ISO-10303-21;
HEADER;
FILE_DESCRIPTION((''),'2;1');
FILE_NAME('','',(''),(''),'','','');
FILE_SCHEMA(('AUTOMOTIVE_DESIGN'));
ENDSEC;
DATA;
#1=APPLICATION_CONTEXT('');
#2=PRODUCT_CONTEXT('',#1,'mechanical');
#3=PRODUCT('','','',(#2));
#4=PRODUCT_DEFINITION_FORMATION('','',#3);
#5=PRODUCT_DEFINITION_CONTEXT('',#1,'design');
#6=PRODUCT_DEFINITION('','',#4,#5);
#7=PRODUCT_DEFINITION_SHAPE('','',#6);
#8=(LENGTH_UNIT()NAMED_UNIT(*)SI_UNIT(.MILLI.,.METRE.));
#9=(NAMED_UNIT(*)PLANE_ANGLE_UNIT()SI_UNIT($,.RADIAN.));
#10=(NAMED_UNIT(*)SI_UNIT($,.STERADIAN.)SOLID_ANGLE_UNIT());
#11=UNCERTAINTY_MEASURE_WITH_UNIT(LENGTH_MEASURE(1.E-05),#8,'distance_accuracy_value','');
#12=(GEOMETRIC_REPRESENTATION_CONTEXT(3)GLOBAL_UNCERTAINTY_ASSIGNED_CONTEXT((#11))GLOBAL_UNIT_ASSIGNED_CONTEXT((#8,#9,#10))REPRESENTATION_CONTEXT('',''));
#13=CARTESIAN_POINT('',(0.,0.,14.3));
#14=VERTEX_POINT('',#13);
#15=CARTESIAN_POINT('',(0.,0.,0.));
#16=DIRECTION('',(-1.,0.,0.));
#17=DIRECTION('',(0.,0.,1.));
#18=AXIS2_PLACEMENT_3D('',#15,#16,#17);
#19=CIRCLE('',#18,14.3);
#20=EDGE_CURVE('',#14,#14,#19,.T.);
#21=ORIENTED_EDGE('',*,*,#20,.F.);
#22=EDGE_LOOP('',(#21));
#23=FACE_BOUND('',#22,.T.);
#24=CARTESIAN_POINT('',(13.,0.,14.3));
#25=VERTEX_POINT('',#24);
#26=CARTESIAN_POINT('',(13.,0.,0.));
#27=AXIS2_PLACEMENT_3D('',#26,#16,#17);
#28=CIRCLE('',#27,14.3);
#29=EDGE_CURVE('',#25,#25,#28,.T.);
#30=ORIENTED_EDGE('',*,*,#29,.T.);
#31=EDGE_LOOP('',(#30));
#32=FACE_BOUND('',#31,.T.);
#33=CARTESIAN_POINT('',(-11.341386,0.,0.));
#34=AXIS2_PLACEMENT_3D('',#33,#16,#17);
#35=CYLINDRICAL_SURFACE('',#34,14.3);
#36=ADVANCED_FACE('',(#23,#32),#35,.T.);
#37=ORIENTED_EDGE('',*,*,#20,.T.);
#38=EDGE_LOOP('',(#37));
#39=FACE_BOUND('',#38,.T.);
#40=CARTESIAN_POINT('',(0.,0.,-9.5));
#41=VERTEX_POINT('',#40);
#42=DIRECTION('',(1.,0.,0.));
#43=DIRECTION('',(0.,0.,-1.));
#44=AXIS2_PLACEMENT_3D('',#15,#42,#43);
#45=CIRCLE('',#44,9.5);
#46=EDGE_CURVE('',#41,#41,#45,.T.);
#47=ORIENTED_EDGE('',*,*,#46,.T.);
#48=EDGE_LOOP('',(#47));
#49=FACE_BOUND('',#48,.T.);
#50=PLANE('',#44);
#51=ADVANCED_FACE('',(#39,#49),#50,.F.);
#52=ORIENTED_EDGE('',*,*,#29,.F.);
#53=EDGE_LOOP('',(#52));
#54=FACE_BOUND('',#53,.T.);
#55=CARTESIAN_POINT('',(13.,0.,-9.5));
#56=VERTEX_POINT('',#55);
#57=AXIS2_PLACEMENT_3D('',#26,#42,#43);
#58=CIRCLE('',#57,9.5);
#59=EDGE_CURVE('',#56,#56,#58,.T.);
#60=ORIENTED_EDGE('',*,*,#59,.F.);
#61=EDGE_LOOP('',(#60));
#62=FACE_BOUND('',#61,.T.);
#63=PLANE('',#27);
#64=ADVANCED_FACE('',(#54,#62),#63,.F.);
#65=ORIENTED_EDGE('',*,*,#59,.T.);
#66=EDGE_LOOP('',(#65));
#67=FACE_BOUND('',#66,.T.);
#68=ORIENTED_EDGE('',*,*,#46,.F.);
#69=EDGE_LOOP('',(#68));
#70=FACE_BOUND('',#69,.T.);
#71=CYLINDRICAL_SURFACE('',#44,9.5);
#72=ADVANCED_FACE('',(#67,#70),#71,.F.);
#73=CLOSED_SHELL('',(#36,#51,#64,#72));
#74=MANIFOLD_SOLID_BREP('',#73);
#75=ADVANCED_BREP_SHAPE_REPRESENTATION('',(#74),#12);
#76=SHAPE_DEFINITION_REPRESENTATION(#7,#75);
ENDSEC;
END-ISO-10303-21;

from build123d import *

# Parameters (mm, degrees)
ESQUISSE1_W             = 13
ESQUISSE1_H             = 14.3
ESQUISSE2_R             = 9.5
ENL_V_MAT_EXTRU_1_DEPTH = 14


with BuildPart() as part:
    # Esquisse1 → Révolution1 (revolve)
    with BuildSketch(Plane.XY):
        with Locations((6.5, 7.15)):
            Rectangle(ESQUISSE1_W, ESQUISSE1_H)
    revolve(axis=Axis((-11.341386336, 0, 0), (1, 0, 0)))

    # Esquisse2 → Enlèv. mat.-Extru.1 (cut, through all)
    with BuildSketch(Plane(origin=(13, 0, 0), x_dir=(0, 0, -1), z_dir=(1, 0, 0))):
        Circle(ESQUISSE2_R)
    extrude(amount=-ENL_V_MAT_EXTRU_1_DEPTH, mode=Mode.SUBTRACT)


solid = part.part
